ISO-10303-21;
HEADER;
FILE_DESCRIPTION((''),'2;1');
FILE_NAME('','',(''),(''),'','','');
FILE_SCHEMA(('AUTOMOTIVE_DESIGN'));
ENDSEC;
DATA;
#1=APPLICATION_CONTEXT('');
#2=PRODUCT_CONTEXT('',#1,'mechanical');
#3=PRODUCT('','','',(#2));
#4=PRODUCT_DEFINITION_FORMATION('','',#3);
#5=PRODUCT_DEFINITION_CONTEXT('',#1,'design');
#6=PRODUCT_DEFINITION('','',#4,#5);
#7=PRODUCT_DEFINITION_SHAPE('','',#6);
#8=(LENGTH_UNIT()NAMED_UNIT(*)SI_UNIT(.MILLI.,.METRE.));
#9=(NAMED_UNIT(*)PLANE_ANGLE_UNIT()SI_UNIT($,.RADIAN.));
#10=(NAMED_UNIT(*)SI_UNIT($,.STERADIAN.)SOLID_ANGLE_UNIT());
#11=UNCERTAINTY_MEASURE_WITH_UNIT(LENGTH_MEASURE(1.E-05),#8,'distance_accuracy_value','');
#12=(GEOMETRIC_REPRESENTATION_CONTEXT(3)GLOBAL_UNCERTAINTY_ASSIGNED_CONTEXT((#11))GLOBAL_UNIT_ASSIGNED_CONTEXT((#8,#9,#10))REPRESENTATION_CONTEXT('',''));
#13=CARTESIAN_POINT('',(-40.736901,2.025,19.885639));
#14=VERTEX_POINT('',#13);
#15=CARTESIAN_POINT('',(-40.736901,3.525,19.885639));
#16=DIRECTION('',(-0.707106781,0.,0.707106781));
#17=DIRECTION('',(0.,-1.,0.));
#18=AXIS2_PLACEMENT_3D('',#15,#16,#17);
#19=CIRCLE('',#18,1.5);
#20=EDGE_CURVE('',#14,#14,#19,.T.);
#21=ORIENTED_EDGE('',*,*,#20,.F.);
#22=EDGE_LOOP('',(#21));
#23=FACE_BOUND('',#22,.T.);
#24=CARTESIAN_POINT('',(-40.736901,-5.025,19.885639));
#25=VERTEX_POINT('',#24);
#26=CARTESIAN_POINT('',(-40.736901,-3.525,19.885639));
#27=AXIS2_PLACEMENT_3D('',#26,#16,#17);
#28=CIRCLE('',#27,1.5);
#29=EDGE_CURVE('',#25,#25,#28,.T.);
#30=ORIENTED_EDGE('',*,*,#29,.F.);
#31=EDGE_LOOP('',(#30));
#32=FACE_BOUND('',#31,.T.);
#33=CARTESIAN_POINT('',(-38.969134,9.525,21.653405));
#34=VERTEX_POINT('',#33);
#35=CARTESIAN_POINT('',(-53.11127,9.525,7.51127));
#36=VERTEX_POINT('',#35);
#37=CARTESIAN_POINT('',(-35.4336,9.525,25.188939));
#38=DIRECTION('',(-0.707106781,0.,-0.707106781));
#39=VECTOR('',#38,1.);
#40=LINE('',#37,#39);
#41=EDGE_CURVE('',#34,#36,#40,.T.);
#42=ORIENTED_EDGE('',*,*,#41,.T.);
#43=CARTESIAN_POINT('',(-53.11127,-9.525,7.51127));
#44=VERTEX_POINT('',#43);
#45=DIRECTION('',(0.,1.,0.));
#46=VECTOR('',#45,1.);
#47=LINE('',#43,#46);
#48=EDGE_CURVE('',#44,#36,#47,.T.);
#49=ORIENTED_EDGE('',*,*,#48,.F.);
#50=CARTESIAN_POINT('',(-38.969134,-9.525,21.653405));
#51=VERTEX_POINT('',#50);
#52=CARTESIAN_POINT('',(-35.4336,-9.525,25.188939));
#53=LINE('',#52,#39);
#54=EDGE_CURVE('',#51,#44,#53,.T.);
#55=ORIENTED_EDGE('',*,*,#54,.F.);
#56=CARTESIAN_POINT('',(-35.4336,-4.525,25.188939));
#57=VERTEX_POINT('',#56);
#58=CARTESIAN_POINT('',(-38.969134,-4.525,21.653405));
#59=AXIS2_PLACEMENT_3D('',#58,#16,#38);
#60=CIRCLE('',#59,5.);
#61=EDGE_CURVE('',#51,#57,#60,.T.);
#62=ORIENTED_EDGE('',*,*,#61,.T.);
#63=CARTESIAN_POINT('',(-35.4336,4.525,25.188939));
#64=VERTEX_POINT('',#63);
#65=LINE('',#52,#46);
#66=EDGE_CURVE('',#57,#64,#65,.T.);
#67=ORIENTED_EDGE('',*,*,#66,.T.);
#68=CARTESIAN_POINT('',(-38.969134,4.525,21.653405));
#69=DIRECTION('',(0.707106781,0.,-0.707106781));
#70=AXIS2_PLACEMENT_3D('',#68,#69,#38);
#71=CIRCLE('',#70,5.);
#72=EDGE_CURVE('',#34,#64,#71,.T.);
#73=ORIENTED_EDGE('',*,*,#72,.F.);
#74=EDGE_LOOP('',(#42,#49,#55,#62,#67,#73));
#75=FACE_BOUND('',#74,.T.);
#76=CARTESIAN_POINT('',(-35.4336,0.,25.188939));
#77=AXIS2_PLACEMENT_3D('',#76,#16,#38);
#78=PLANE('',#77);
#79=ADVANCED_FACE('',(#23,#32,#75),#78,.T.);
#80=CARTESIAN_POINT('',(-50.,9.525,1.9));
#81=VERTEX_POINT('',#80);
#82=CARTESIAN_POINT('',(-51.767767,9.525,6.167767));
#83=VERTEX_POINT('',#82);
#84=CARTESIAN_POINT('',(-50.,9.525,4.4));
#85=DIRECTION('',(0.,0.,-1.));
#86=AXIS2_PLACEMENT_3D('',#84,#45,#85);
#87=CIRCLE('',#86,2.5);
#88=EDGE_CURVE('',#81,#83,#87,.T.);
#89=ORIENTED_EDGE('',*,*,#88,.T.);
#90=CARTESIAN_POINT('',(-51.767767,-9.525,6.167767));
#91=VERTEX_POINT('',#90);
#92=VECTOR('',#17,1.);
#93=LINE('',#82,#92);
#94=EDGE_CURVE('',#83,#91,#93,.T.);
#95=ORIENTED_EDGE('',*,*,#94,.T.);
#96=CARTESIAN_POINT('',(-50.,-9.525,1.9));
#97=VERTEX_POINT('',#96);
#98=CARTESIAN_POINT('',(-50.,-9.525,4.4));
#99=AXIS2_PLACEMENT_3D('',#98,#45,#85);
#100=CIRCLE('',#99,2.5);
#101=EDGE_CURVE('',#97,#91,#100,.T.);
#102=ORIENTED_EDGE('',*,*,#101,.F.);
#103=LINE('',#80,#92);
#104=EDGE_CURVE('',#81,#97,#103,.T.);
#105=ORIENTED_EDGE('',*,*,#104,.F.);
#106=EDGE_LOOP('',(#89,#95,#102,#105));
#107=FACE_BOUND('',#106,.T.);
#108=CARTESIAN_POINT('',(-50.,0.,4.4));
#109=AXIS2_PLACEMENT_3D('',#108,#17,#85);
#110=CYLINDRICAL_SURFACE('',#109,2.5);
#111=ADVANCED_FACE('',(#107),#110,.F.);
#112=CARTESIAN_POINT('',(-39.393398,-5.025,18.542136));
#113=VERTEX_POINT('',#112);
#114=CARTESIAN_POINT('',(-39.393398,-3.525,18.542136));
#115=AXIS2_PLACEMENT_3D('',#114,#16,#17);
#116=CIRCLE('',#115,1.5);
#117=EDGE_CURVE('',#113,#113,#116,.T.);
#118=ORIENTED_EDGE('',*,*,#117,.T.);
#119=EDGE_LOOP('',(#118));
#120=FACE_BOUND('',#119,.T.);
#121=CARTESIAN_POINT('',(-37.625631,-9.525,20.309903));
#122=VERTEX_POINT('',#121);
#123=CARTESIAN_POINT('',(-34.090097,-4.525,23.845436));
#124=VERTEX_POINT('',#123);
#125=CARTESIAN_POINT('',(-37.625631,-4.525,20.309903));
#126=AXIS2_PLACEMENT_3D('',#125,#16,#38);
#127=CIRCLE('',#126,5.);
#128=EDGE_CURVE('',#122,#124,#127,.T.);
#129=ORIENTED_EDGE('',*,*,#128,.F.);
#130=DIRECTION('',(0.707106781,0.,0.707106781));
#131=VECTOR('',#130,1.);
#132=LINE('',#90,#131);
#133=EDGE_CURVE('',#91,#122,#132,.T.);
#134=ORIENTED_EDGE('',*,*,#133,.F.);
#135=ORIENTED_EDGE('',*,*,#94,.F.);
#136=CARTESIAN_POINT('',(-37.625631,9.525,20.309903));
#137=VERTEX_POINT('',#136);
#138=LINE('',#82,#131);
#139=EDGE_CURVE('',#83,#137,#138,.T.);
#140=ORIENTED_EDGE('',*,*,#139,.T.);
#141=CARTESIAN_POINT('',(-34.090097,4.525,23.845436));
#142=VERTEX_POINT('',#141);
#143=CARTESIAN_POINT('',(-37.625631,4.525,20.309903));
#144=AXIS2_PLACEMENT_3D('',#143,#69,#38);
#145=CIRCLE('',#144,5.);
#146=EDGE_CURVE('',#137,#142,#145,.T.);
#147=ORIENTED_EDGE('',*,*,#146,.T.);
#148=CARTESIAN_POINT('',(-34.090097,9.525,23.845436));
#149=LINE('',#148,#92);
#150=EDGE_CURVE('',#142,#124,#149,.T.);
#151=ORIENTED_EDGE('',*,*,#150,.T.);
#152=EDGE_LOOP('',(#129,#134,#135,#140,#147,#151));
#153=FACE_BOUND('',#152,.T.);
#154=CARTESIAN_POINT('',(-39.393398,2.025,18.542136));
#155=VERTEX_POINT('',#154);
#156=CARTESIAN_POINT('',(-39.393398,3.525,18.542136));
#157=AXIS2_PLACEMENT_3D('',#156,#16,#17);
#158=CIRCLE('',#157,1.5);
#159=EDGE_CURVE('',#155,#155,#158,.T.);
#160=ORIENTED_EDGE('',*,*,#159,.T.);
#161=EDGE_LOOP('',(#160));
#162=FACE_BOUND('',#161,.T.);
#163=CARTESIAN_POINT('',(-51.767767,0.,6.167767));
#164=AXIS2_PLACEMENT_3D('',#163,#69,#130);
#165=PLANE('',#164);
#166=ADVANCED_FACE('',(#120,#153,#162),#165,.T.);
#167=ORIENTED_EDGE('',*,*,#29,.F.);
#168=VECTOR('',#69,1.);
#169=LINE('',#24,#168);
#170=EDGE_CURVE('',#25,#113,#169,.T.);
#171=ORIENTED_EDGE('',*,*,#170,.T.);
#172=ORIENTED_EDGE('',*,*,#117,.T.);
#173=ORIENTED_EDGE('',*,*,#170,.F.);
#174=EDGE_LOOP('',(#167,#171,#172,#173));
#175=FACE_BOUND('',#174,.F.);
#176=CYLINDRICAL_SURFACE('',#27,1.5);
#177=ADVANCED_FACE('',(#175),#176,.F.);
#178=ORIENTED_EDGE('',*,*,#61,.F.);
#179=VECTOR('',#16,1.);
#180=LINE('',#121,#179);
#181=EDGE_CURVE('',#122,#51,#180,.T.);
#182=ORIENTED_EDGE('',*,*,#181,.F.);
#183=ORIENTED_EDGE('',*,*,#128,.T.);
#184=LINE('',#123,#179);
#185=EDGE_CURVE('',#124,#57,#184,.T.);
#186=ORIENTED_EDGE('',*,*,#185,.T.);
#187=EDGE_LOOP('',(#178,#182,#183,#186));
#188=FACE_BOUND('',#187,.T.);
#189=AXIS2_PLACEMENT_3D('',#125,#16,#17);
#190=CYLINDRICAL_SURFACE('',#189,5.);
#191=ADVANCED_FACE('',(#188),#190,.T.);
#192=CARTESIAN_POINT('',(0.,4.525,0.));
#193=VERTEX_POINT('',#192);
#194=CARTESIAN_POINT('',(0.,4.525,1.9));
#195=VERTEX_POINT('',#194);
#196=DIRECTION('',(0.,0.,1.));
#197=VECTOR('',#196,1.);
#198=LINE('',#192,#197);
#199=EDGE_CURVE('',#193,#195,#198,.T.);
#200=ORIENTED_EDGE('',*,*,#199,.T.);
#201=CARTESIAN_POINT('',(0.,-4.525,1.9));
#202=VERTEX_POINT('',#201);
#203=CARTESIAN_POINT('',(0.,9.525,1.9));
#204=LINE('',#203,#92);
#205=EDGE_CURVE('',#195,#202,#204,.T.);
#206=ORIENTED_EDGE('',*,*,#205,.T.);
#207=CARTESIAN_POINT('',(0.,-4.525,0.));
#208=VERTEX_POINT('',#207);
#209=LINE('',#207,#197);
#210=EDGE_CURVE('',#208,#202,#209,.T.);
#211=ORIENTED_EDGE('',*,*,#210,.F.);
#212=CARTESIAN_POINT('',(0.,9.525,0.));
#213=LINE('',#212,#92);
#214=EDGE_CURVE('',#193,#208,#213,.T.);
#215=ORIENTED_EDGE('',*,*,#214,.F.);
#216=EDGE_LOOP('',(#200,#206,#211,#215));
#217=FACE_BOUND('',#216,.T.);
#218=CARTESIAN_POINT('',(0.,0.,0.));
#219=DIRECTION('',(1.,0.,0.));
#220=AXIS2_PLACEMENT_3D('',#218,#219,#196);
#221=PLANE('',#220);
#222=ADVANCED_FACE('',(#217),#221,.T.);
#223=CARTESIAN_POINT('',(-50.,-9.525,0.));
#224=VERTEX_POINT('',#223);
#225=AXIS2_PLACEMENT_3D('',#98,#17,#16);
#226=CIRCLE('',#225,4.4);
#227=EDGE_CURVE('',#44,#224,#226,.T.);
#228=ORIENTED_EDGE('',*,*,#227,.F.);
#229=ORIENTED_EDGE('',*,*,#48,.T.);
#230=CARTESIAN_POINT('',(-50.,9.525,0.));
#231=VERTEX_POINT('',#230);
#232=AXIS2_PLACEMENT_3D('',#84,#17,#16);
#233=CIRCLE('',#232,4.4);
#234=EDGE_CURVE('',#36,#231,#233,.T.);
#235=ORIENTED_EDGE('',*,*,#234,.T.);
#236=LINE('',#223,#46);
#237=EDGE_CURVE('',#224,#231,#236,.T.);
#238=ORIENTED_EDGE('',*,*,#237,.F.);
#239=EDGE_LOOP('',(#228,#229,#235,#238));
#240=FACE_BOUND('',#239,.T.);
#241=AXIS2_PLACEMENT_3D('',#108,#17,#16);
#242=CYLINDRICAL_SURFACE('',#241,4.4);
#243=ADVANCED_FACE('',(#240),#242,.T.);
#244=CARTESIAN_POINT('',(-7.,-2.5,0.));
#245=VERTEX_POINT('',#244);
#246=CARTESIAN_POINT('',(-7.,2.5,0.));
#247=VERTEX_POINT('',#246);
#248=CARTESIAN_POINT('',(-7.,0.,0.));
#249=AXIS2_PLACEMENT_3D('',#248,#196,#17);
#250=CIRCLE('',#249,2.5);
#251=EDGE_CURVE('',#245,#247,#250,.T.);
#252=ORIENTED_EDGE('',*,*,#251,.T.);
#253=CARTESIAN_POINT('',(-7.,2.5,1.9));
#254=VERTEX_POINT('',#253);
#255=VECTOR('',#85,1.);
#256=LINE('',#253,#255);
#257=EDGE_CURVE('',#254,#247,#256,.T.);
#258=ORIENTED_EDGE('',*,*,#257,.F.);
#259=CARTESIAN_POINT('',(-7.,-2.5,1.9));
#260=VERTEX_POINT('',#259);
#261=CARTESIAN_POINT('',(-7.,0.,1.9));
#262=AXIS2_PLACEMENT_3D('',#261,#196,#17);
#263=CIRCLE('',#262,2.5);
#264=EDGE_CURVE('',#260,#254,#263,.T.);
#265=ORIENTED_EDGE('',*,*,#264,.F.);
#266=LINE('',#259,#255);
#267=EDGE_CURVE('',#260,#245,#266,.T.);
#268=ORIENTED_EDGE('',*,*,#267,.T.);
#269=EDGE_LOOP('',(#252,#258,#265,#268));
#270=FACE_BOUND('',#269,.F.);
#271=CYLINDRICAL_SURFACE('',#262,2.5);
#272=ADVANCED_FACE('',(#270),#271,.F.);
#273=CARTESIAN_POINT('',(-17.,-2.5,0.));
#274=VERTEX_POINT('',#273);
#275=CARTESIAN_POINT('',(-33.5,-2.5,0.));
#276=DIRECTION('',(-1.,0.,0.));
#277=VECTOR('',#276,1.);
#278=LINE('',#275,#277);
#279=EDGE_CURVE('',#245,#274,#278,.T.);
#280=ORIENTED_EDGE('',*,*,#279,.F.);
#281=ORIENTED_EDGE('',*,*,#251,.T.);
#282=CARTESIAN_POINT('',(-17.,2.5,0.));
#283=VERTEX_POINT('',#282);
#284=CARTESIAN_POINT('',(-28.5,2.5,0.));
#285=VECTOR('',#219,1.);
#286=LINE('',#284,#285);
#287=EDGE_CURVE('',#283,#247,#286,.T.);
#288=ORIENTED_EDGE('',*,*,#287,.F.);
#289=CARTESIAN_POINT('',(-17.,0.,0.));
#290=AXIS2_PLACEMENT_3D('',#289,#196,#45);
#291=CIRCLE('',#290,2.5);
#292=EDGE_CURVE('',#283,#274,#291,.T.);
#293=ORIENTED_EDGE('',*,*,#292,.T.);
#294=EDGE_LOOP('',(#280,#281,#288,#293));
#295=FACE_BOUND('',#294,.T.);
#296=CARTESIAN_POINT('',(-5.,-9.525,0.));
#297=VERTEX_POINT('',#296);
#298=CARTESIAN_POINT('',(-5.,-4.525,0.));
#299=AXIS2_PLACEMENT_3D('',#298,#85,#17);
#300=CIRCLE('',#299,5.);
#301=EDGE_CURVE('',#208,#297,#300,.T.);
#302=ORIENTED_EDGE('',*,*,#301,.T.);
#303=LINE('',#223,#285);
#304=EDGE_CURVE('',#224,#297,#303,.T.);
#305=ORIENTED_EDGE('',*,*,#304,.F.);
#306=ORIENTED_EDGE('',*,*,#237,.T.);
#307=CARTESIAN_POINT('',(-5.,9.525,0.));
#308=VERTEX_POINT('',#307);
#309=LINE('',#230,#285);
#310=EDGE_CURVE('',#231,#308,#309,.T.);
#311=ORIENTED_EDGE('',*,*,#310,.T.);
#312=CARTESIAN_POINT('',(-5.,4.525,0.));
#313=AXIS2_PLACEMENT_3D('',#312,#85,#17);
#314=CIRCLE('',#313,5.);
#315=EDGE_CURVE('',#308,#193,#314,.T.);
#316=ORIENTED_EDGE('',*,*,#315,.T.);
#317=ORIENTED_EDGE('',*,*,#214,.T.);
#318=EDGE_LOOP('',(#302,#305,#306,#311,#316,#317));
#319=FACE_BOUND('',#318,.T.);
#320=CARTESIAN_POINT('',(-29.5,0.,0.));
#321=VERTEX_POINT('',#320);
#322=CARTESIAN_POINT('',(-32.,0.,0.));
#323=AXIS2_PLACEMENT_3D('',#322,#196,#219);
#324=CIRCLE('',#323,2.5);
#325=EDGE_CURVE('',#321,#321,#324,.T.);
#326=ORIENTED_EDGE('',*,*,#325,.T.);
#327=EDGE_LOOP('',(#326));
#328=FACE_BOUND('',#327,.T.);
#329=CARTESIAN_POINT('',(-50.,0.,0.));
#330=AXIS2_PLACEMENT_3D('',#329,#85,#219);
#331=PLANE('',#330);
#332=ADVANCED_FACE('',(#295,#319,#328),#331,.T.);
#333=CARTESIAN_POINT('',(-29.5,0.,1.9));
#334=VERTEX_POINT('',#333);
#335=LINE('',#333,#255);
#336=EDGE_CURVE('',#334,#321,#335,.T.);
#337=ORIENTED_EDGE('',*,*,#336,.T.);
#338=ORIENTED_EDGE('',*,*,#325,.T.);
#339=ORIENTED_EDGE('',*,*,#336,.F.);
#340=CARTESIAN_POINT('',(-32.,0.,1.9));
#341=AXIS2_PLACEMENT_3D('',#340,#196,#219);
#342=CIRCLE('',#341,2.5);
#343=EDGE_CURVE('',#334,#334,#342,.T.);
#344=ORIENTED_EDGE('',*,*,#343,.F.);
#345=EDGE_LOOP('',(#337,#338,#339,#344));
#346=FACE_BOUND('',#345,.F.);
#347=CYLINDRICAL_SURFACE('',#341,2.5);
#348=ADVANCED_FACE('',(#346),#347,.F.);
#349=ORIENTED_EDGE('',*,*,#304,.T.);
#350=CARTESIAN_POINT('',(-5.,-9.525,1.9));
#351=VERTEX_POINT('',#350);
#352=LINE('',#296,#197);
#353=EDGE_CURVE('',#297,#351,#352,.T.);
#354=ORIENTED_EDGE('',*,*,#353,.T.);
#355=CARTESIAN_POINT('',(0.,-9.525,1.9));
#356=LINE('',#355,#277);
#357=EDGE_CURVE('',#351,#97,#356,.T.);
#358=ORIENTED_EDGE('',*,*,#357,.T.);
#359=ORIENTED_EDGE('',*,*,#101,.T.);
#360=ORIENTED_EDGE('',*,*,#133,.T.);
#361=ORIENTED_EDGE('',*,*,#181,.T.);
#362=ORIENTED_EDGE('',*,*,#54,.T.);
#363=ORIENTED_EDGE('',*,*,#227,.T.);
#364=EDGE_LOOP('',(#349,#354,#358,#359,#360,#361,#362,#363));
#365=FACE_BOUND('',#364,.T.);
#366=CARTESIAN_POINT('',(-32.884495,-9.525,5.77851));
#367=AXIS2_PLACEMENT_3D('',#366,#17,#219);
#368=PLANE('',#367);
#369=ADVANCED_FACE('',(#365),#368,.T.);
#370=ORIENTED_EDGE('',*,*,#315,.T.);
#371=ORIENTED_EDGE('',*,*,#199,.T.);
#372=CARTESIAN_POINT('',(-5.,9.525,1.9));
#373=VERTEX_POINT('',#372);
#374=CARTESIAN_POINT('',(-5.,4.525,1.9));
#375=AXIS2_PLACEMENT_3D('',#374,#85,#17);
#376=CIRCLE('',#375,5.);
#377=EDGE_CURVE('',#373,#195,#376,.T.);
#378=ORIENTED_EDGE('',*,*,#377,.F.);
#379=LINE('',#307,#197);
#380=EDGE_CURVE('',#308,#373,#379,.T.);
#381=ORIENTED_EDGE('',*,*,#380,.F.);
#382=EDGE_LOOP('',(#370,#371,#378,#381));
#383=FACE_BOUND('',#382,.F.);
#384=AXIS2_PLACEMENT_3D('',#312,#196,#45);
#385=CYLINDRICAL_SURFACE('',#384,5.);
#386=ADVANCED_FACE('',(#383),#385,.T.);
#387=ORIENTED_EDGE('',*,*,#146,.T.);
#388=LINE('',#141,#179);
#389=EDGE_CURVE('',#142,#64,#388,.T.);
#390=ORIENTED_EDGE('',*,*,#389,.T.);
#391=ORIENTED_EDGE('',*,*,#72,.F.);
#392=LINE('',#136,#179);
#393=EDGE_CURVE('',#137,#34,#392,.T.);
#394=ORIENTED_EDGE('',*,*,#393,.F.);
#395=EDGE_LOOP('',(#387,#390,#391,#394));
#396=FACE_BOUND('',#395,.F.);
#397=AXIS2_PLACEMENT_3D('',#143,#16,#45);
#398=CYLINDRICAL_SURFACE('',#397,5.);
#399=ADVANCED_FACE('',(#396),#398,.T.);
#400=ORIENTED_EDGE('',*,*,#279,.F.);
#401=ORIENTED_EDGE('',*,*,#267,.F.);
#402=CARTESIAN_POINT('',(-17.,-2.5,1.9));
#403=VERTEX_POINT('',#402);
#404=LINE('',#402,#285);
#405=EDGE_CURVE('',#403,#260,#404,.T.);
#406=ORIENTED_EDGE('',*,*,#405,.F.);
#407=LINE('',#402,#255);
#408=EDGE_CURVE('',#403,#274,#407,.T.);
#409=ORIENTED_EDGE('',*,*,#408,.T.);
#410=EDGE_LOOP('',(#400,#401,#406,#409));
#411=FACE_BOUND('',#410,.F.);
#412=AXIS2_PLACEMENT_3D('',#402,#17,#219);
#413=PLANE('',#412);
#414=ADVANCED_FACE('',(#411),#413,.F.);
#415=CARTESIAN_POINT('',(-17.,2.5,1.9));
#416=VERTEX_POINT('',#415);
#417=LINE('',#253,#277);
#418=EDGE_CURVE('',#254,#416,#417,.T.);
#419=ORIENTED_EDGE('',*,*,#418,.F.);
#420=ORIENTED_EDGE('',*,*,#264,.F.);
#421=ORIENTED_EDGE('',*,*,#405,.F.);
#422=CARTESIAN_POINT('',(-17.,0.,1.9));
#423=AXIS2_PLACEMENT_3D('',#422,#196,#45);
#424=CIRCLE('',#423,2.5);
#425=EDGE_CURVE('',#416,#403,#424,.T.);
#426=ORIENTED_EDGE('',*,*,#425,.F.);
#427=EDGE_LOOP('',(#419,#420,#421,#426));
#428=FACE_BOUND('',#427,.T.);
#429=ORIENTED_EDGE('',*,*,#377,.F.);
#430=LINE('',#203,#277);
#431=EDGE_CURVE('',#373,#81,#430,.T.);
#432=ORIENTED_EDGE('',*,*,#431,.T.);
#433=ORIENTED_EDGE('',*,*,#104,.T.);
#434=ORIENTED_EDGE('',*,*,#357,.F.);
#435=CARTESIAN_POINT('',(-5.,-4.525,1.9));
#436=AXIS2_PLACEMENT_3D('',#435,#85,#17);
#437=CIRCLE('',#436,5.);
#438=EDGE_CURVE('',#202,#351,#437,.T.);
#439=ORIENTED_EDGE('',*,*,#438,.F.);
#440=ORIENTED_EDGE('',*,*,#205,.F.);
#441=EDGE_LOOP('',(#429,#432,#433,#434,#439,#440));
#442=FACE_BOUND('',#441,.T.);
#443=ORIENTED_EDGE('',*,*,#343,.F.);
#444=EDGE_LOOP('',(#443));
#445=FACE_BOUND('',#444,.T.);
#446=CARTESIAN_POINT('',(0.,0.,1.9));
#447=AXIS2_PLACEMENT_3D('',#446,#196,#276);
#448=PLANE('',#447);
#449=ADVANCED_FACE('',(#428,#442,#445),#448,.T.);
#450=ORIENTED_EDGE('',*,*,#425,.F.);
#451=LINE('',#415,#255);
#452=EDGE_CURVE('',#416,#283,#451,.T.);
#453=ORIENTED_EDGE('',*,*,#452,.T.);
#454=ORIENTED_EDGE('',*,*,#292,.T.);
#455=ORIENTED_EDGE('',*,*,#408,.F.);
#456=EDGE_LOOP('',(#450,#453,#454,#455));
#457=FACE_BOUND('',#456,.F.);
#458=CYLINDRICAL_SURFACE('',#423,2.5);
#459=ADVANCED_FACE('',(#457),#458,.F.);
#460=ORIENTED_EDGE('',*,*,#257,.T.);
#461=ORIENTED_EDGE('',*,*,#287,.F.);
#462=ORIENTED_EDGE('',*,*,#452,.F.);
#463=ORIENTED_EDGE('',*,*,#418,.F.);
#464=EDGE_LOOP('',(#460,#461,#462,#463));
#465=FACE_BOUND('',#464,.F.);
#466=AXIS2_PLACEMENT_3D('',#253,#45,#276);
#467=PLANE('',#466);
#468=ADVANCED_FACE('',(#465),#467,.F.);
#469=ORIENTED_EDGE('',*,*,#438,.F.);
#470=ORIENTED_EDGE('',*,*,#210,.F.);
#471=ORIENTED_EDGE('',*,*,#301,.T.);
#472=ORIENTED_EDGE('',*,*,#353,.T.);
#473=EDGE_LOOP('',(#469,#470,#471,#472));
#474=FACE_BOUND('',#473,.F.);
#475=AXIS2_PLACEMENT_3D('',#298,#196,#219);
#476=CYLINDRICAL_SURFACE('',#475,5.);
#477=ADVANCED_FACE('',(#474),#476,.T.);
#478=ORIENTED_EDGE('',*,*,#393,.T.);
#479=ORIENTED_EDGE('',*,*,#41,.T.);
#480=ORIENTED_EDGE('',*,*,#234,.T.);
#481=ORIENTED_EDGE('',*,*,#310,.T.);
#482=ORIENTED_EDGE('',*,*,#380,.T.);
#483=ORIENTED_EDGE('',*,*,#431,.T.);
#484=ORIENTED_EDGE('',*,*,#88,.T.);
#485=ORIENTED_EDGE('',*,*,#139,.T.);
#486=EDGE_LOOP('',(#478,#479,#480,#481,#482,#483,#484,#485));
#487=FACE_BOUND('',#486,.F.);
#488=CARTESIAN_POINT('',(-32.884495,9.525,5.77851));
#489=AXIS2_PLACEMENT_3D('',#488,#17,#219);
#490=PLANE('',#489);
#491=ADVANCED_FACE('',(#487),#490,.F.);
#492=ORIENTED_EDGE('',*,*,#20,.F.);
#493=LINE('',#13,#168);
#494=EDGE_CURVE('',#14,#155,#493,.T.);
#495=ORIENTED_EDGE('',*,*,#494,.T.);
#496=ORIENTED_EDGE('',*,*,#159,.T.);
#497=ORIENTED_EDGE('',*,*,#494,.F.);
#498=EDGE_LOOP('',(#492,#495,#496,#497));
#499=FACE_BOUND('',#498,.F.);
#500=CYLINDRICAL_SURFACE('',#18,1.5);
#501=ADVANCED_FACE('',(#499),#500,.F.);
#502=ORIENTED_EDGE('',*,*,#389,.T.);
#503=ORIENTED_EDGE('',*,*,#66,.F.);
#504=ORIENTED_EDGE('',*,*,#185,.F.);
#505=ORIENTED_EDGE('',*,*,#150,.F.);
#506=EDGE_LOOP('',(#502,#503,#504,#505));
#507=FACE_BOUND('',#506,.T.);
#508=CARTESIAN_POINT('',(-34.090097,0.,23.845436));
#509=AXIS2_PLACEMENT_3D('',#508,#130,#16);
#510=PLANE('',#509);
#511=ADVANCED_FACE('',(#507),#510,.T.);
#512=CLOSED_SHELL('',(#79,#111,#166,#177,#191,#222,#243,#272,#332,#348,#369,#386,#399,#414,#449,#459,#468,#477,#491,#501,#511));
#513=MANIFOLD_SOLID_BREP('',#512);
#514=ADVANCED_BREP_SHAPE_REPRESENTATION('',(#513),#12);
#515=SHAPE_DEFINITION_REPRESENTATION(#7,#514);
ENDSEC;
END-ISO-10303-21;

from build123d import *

# Parameters (mm, degrees)
F1_DEPTH = 9.525
F2_R     = 2.5
F3_DEPTH = 1.901
F4_R     = 1.5
F5_DEPTH = 1.9
F6_R     = 5


with BuildPart() as f1:
    # F0 (on Front) → F1 (new body, symmetric)
    with BuildSketch(Plane.XZ):
        with BuildLine():
            Line((-50, 0), (0, 0))
            Line((0, 0), (0, 1.9))
            Line((0, 1.9), (-50, 1.9))
            ThreePointArc((-50, 1.9), (-52.3096988313, 3.4432914191), (-51.767766953, 6.167766953))
            Line((-51.767766953, 6.167766953), (-34.0900974233, 23.8454364826))
            Line((-34.0900974233, 23.8454364826), (-35.4336003076, 25.1889393669))
            Line((-35.4336003076, 25.1889393669), (-53.1112698372, 7.5112698372))
            ThreePointArc((-53.1112698372, 7.5112698372), (-54.065069943, 2.7161928976), (-50, 0))
        make_face()
    extrude(amount=F1_DEPTH, both=True)

    # F2 (on face) → F3 (cut, through all)
    with BuildSketch(Plane.XY.offset(1.9)):
        with Locations((-32, 0)):
            Circle(F2_R)
        with BuildLine():
            Line((-7, 2.5), (-17, 2.5))
            ThreePointArc((-17, 2.5), (-19.5, 0), (-17, -2.5))
            Line((-17, -2.5), (-7, -2.5))
            ThreePointArc((-7, -2.5), (-4.5, 0), (-7, 2.5))
        make_face()
    extrude(amount=-F3_DEPTH, mode=Mode.SUBTRACT)

    # F4 (on face) → F5 (cut, through all)
    with BuildSketch(Plane(origin=(-30.3112698372, 0, 30.3112698372), x_dir=(0, -1, 0), z_dir=(-0.7071067812, 0, 0.7071067812))):
        with Locations((-3.525, -14.7440692221)):
            Circle(F4_R)
        with Locations((3.525, -14.7440692221)):
            Circle(F4_R)
    extrude(amount=-F5_DEPTH, mode=Mode.SUBTRACT)

    # F6
    f6_edges = [f1.edges().sort_by_distance(p)[0] for p in [
        (-34.761849, -9.525, 24.517188),
        (-34.761849, 9.525, 24.517188),
        (0, -9.525, 0.95),
        (0, 9.525, 0.95),
    ]]
    fillet(f6_edges, radius=F6_R)


solid = f1.part
